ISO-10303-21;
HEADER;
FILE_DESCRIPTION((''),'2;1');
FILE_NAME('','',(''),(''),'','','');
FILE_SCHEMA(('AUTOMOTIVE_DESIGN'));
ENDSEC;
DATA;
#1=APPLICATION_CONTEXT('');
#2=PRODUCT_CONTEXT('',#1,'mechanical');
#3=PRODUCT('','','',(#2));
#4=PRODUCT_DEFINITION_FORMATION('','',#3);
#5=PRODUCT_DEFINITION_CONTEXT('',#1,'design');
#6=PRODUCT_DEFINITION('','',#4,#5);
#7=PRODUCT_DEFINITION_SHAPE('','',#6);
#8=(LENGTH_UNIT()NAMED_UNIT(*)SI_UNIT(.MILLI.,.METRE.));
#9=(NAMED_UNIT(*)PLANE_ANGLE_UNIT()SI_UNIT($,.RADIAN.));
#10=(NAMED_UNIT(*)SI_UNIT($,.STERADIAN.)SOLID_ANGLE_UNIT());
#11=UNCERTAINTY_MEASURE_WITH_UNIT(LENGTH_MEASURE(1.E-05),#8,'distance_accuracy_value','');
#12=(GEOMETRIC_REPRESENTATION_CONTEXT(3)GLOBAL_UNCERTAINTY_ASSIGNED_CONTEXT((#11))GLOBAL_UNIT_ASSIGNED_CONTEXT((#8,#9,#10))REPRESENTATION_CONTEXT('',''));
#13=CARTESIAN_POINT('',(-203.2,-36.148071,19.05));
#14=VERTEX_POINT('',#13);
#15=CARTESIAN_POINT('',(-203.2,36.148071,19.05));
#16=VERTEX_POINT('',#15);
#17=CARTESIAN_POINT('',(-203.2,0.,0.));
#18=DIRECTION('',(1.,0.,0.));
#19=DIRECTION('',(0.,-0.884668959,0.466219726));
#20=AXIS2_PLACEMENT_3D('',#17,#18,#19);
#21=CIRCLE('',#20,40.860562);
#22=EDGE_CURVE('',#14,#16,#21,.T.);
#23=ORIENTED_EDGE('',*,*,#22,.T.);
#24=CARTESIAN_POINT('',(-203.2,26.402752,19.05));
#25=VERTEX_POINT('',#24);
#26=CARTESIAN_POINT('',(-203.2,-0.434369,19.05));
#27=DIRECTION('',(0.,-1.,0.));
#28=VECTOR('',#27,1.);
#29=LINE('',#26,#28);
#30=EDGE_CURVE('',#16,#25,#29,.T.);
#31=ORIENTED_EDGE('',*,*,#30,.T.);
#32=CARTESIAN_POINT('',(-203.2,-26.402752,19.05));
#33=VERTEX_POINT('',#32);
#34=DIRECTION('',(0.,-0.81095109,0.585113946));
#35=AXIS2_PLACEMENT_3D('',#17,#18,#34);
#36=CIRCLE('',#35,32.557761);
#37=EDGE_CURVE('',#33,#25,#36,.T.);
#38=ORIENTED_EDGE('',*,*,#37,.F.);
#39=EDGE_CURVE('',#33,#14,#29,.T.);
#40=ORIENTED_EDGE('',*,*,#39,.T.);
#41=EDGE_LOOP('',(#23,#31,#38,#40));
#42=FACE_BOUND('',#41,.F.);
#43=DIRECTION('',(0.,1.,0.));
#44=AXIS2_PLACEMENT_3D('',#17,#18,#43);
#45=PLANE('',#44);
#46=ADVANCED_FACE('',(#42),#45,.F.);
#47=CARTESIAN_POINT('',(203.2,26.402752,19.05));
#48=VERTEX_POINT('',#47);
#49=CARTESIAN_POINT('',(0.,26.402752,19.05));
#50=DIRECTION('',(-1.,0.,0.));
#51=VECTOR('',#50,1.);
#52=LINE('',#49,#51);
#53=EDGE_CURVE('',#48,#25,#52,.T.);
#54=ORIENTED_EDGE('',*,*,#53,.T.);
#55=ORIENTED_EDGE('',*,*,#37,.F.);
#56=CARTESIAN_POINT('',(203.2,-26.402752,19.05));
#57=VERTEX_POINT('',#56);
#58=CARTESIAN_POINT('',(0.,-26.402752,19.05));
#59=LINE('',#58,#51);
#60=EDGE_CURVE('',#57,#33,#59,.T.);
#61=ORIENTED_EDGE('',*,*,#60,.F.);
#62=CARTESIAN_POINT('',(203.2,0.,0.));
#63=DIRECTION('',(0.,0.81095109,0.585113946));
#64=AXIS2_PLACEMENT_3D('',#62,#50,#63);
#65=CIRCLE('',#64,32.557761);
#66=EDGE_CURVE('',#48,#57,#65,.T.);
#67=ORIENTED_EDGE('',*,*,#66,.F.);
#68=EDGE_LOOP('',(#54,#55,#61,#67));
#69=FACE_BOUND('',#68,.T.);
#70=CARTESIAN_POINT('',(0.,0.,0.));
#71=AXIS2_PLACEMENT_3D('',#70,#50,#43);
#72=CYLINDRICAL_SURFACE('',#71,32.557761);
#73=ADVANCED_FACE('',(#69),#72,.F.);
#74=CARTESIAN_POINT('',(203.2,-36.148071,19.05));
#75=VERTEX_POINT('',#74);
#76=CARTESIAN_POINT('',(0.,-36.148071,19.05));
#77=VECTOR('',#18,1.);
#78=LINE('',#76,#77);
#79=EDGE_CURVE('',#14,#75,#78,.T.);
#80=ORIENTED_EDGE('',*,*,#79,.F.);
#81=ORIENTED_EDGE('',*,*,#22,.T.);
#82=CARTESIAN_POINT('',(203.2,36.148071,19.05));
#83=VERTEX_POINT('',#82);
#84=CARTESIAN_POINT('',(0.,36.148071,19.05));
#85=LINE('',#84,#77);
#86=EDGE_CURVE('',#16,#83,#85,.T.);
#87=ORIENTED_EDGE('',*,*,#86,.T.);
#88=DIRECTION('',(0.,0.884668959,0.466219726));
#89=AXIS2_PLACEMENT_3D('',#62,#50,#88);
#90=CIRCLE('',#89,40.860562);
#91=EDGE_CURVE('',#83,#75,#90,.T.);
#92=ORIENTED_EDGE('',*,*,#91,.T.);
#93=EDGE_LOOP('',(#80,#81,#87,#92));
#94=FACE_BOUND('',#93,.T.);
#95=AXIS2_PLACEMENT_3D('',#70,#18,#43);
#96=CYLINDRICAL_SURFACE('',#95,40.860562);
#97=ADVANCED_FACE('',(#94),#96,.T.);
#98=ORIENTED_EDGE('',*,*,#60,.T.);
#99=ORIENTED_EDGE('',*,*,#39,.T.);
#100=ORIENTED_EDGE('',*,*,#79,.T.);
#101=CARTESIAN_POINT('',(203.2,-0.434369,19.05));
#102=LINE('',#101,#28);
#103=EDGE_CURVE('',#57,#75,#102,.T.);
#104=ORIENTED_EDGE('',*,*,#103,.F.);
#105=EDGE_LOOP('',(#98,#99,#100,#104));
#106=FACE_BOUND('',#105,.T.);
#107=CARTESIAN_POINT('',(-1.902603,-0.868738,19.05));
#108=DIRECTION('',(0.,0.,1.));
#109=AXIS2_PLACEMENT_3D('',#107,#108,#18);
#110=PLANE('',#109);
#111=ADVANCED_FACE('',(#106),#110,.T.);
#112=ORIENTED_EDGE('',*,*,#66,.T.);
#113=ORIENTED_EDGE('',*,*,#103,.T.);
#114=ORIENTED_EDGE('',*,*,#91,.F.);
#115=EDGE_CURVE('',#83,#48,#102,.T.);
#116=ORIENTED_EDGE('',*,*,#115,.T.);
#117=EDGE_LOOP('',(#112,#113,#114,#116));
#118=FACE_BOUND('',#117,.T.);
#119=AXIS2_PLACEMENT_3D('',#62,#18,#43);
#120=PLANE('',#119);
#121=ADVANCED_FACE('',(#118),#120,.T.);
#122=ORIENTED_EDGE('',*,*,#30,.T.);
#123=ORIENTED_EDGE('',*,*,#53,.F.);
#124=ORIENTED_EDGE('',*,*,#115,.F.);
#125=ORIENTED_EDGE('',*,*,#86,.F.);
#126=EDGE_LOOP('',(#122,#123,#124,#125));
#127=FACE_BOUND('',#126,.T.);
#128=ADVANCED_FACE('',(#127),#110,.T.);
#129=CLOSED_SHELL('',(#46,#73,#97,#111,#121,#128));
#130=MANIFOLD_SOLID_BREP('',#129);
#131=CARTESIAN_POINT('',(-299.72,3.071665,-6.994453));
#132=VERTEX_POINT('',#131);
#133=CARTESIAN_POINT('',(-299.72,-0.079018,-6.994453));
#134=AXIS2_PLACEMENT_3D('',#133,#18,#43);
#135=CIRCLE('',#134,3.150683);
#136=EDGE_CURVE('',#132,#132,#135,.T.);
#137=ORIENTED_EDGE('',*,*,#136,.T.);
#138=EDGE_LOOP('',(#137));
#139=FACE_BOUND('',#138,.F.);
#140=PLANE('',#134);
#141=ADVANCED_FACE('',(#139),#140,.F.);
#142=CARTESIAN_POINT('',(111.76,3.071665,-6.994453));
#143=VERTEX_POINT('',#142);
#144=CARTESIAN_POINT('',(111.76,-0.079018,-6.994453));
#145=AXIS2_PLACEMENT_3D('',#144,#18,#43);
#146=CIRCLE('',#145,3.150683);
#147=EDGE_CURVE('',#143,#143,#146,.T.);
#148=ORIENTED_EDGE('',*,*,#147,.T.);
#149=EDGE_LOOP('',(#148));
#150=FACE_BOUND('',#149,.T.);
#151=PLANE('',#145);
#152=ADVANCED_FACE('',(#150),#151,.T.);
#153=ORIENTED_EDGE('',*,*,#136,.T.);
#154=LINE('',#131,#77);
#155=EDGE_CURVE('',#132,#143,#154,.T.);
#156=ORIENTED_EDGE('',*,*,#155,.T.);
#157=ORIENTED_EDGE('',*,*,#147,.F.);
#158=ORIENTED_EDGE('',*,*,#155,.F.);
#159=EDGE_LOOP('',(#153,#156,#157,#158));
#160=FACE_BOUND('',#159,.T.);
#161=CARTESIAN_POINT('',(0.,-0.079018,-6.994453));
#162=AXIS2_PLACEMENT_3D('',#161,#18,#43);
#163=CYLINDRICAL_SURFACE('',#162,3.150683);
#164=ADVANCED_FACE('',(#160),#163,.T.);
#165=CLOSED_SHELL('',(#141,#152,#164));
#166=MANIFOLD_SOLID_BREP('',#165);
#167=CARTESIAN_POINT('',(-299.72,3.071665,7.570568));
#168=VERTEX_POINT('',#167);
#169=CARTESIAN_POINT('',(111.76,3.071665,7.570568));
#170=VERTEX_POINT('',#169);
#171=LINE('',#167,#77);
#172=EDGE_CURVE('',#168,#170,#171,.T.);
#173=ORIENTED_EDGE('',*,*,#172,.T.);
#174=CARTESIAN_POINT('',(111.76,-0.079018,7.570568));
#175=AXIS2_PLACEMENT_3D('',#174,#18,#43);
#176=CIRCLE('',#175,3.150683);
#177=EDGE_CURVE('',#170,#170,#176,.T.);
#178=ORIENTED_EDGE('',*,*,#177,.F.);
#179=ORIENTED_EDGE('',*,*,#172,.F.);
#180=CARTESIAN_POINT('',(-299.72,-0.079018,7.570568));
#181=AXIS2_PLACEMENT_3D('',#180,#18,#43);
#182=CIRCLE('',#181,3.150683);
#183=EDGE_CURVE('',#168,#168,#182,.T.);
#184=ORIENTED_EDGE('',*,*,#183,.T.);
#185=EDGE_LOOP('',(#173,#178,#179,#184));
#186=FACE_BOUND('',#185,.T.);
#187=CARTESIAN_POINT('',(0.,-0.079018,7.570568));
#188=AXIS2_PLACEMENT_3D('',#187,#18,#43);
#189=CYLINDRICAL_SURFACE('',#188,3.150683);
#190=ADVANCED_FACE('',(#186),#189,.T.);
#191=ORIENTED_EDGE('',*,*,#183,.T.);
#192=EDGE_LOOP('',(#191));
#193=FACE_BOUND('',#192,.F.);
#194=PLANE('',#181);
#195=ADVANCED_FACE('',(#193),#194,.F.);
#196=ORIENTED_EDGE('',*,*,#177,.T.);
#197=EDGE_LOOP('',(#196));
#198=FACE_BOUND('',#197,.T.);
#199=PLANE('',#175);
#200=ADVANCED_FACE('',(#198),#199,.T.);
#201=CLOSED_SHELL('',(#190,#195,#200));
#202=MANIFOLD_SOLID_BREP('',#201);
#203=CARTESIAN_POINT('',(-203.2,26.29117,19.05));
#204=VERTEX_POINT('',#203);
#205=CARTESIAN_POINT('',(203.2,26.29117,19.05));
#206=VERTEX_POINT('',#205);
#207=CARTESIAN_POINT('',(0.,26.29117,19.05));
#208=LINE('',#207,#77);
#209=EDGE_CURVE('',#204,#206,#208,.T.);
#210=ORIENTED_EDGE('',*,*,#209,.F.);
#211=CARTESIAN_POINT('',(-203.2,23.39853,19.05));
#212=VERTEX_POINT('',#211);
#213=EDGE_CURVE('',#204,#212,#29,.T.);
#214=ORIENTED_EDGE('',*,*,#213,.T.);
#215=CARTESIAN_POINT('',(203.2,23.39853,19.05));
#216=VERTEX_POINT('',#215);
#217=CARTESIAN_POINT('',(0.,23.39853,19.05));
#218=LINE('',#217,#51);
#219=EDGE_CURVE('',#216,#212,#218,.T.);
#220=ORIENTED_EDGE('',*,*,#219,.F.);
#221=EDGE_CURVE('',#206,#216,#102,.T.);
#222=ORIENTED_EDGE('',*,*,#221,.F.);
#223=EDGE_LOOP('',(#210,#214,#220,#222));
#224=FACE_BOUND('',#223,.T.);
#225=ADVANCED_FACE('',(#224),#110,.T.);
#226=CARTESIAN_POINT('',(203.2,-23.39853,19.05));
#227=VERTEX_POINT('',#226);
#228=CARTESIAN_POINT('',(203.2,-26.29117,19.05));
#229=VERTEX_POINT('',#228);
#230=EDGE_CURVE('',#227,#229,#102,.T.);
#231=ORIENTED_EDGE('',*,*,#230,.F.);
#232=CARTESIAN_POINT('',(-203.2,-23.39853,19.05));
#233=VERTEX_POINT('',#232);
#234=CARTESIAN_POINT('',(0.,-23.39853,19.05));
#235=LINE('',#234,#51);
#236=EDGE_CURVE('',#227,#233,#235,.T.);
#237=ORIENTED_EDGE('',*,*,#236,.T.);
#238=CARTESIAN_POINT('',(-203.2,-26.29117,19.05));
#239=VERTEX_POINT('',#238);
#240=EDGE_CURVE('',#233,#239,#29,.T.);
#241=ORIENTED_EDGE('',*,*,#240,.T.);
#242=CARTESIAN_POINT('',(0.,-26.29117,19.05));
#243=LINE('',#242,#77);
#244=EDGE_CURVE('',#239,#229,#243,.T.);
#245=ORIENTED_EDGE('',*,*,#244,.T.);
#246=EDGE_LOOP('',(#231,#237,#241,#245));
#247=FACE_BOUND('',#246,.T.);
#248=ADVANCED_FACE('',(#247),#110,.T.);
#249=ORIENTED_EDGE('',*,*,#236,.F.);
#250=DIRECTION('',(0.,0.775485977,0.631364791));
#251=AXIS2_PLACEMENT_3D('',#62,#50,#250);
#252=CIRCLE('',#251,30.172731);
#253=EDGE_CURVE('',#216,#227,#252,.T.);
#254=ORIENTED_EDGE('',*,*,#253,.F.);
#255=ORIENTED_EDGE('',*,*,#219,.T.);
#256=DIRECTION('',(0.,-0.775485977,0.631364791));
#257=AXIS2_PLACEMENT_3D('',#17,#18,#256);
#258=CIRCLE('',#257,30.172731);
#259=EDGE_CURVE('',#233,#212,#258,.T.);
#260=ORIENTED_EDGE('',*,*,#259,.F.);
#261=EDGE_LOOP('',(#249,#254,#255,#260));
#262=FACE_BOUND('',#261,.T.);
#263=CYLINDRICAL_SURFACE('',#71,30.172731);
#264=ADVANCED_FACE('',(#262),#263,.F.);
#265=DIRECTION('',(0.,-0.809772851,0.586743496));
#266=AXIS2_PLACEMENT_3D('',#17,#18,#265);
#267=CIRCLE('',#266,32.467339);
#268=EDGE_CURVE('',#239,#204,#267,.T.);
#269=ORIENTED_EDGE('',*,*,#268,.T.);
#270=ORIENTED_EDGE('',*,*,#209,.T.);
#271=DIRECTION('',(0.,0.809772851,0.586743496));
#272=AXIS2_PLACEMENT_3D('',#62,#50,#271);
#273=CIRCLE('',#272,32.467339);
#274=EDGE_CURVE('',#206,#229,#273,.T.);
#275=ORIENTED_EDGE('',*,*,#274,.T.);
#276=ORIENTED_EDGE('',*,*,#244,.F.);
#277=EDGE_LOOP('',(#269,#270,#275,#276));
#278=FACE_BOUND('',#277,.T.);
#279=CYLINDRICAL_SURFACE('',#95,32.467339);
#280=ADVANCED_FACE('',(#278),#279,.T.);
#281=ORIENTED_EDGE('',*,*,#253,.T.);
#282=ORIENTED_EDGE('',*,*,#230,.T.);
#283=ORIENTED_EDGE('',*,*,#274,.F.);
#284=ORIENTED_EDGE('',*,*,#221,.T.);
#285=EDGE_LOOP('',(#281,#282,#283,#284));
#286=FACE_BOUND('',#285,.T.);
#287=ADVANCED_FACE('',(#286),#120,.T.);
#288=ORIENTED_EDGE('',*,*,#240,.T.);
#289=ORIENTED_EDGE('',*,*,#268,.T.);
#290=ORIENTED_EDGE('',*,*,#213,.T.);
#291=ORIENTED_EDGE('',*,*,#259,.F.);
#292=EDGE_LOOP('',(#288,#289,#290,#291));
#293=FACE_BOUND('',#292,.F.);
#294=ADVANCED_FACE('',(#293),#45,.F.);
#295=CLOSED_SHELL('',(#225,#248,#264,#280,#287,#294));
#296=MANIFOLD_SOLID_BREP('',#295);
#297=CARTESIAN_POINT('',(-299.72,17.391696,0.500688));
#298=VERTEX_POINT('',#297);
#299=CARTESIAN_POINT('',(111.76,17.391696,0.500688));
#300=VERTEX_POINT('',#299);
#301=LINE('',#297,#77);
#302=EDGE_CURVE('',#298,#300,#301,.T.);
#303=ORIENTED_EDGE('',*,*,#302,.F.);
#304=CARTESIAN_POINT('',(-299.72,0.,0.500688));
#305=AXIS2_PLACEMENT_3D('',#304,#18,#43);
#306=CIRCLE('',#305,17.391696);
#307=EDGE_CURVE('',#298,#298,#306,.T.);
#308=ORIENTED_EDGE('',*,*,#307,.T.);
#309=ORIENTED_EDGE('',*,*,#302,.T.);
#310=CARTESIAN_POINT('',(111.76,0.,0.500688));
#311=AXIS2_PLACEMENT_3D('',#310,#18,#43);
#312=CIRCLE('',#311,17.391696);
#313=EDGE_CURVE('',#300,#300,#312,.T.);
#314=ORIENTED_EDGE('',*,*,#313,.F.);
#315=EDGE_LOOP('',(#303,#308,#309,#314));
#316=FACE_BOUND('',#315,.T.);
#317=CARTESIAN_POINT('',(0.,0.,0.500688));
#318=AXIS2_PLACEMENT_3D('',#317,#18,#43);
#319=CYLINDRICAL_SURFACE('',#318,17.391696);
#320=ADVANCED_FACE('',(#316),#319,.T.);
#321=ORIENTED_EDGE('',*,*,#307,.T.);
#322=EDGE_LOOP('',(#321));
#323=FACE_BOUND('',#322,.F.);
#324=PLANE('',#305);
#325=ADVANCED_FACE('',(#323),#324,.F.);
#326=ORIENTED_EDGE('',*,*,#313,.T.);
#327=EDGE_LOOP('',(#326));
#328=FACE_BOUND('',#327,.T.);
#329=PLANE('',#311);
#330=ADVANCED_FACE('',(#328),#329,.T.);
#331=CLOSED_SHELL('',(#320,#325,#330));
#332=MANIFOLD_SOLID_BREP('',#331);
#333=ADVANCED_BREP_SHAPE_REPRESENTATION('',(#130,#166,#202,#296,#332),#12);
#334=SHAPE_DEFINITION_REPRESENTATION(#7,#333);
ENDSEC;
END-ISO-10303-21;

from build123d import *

# Parameters (mm, degrees)
F0_R           = 32.467339
F0_R_2         = 30.172731
F1_DEPTH       = 203.2
F1_DEPTH_BACK  = 203.2
F2_R           = 40.860562
F2_R_2         = 32.557761
F3_DEPTH       = 203.2
F3_DEPTH_BACK  = 203.2
F4_R           = 3.150683
F5_DEPTH       = 111.76
F5_DEPTH_BACK  = 299.72
F7_W           = 426.029071
F7_H           = 92.935704
F8_DEPTH       = 35.814
F9_R           = 17.391696
F10_DEPTH      = 111.76
F10_DEPTH_BACK = 299.72


with BuildPart() as f1:
    # F0 (on Right) → F1 (new body, two sides)
    with BuildSketch(Plane.YZ) as f1_sk:
        Circle(F0_R)
        Circle(F0_R_2, mode=Mode.SUBTRACT)
    extrude(amount=F1_DEPTH)
    extrude(f1_sk.sketch, amount=-F1_DEPTH_BACK)


with BuildPart() as f3:
    # F2 (on Right) → F3 (new body, two sides)
    with BuildSketch(Plane.YZ) as f3_sk:
        Circle(F2_R)
        Circle(F2_R_2, mode=Mode.SUBTRACT)
    extrude(amount=F3_DEPTH)
    extrude(f3_sk.sketch, amount=-F3_DEPTH_BACK)


with BuildPart() as f5:
    # F4 (on Right) → F5 (new body, two sides)
    with BuildSketch(Plane.YZ) as f5_sk:
        with Locations((-0.079018, 7.570568)):
            Circle(F4_R)
        with Locations((-0.079018, -6.994453)):
            Circle(F4_R)
    extrude(amount=F5_DEPTH)
    extrude(f5_sk.sketch, amount=-F5_DEPTH_BACK)


with BuildPart() as f8_tool:
    # F7 (on offset) → F8 (new body)
    with BuildSketch(Plane.XY.offset(19.05)):
        with Locations((-1.902603, -0.868738)):
            Rectangle(F7_W, F7_H)
    extrude(amount=F8_DEPTH)


with BuildPart() as f1_1:
    add(f1.part)

    # F8: cut by f8_tool
    add(f8_tool.part, mode=Mode.SUBTRACT)


with BuildPart() as f3_1:
    add(f3.part)

    # F8: cut by f8_tool
    add(f8_tool.part, mode=Mode.SUBTRACT)


with BuildPart() as f10:
    # F9 (on Right) → F10 (new body, two sides)
    with BuildSketch(Plane.YZ) as f10_sk:
        with Locations((0, 0.500688)):
            Circle(F9_R)
    extrude(amount=F10_DEPTH)
    extrude(f10_sk.sketch, amount=-F10_DEPTH_BACK)


solid = Compound([f5.part, f1_1.part, f3_1.part, f10.part])
